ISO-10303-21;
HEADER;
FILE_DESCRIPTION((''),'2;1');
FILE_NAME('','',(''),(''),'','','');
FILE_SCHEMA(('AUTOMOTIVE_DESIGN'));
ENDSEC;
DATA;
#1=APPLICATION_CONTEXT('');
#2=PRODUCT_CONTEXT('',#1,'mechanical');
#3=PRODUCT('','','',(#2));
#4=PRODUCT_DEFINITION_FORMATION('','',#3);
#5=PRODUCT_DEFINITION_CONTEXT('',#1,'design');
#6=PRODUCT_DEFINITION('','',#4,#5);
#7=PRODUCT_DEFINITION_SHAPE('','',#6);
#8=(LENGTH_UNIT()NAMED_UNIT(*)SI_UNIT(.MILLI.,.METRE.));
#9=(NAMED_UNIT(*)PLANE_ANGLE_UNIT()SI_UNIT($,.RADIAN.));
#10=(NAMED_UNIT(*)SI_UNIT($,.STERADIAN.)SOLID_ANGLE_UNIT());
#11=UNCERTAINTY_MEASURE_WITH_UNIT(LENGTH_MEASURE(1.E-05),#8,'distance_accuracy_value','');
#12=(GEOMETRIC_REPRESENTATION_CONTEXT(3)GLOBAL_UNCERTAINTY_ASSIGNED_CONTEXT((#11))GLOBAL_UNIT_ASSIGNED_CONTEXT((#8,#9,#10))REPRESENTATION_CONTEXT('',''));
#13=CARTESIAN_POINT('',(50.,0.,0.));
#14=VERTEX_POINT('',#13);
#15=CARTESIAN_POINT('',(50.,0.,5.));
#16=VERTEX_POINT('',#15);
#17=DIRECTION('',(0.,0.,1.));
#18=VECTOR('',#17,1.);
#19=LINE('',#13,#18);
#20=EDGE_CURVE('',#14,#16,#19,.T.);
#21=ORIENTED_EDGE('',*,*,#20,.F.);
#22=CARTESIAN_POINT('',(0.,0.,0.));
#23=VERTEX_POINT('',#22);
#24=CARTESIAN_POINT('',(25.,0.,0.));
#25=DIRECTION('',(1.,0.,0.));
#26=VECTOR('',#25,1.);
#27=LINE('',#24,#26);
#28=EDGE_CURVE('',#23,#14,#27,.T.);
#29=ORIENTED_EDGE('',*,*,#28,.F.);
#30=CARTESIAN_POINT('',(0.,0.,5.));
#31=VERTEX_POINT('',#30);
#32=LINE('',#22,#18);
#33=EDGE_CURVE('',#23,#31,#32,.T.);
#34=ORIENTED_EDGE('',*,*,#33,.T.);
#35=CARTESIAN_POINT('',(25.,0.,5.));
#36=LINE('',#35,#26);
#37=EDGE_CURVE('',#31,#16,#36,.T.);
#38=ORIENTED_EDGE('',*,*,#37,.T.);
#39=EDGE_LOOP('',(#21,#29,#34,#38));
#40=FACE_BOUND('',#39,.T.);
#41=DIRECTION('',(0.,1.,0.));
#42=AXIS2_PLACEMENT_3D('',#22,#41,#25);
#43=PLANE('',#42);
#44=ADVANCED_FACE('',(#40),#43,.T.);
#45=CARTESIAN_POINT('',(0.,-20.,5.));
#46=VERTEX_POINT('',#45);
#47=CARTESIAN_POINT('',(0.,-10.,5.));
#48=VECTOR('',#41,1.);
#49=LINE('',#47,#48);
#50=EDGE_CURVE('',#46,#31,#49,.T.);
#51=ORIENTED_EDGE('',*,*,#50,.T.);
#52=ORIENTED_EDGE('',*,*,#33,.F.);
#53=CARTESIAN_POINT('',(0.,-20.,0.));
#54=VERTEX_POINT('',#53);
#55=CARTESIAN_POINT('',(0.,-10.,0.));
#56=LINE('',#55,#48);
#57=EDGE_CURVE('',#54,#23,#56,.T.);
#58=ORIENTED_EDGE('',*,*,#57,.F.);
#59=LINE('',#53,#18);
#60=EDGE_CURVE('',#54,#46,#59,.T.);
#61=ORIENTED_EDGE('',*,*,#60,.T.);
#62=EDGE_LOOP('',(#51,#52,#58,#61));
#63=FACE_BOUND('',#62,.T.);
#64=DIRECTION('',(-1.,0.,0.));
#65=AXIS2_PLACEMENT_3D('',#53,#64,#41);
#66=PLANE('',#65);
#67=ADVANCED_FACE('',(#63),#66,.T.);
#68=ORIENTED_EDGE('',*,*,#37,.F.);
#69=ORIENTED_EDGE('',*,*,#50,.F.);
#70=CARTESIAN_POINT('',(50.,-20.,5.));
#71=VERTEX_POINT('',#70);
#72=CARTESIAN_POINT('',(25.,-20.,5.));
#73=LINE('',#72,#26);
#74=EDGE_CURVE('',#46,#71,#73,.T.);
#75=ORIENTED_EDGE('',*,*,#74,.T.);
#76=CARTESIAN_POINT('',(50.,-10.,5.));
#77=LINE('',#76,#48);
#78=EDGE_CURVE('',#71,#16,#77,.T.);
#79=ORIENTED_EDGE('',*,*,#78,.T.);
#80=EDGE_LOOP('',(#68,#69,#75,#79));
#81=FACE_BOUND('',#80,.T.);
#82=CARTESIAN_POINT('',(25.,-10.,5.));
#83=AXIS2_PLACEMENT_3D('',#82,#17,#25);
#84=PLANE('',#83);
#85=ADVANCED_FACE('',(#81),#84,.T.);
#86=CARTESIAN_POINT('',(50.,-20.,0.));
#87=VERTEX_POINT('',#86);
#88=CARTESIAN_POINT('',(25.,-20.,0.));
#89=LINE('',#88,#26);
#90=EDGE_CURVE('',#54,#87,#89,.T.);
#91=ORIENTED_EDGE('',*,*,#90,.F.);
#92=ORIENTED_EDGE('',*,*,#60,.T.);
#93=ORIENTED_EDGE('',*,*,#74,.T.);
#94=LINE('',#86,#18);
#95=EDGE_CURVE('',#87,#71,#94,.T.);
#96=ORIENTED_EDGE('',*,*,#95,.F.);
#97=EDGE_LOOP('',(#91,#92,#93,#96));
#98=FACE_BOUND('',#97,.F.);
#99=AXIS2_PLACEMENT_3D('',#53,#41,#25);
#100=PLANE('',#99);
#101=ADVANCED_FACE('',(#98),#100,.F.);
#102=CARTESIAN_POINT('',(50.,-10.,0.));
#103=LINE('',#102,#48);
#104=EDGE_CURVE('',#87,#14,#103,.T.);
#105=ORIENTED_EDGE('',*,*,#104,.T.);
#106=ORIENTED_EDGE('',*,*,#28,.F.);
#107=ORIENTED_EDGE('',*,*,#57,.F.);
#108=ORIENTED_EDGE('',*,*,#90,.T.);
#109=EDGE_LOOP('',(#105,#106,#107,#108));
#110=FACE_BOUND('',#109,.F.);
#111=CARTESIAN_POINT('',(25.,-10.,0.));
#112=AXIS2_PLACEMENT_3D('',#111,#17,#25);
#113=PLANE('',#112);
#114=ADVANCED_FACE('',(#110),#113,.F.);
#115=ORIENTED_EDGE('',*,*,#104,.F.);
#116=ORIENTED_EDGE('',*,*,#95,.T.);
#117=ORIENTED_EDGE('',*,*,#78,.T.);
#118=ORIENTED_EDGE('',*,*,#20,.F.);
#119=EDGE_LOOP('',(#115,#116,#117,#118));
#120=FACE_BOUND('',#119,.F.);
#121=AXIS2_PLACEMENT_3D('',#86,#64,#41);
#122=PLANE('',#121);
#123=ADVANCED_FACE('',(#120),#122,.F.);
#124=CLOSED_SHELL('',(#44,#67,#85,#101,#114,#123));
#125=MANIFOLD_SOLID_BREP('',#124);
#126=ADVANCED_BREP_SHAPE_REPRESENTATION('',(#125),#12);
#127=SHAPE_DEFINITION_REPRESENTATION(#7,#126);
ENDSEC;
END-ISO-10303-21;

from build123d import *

# Parameters (mm, degrees)
SKETCH2_W           = 50
SKETCH2_H           = 20
BOSS_EXTRUDE1_DEPTH = 5


with BuildPart() as part:
    # Sketch2 → Boss-Extrude1 (new body)
    with BuildSketch(Plane.XY):
        with Locations((25, -10)):
            Rectangle(SKETCH2_W, SKETCH2_H)
    extrude(amount=BOSS_EXTRUDE1_DEPTH)


solid = part.part
